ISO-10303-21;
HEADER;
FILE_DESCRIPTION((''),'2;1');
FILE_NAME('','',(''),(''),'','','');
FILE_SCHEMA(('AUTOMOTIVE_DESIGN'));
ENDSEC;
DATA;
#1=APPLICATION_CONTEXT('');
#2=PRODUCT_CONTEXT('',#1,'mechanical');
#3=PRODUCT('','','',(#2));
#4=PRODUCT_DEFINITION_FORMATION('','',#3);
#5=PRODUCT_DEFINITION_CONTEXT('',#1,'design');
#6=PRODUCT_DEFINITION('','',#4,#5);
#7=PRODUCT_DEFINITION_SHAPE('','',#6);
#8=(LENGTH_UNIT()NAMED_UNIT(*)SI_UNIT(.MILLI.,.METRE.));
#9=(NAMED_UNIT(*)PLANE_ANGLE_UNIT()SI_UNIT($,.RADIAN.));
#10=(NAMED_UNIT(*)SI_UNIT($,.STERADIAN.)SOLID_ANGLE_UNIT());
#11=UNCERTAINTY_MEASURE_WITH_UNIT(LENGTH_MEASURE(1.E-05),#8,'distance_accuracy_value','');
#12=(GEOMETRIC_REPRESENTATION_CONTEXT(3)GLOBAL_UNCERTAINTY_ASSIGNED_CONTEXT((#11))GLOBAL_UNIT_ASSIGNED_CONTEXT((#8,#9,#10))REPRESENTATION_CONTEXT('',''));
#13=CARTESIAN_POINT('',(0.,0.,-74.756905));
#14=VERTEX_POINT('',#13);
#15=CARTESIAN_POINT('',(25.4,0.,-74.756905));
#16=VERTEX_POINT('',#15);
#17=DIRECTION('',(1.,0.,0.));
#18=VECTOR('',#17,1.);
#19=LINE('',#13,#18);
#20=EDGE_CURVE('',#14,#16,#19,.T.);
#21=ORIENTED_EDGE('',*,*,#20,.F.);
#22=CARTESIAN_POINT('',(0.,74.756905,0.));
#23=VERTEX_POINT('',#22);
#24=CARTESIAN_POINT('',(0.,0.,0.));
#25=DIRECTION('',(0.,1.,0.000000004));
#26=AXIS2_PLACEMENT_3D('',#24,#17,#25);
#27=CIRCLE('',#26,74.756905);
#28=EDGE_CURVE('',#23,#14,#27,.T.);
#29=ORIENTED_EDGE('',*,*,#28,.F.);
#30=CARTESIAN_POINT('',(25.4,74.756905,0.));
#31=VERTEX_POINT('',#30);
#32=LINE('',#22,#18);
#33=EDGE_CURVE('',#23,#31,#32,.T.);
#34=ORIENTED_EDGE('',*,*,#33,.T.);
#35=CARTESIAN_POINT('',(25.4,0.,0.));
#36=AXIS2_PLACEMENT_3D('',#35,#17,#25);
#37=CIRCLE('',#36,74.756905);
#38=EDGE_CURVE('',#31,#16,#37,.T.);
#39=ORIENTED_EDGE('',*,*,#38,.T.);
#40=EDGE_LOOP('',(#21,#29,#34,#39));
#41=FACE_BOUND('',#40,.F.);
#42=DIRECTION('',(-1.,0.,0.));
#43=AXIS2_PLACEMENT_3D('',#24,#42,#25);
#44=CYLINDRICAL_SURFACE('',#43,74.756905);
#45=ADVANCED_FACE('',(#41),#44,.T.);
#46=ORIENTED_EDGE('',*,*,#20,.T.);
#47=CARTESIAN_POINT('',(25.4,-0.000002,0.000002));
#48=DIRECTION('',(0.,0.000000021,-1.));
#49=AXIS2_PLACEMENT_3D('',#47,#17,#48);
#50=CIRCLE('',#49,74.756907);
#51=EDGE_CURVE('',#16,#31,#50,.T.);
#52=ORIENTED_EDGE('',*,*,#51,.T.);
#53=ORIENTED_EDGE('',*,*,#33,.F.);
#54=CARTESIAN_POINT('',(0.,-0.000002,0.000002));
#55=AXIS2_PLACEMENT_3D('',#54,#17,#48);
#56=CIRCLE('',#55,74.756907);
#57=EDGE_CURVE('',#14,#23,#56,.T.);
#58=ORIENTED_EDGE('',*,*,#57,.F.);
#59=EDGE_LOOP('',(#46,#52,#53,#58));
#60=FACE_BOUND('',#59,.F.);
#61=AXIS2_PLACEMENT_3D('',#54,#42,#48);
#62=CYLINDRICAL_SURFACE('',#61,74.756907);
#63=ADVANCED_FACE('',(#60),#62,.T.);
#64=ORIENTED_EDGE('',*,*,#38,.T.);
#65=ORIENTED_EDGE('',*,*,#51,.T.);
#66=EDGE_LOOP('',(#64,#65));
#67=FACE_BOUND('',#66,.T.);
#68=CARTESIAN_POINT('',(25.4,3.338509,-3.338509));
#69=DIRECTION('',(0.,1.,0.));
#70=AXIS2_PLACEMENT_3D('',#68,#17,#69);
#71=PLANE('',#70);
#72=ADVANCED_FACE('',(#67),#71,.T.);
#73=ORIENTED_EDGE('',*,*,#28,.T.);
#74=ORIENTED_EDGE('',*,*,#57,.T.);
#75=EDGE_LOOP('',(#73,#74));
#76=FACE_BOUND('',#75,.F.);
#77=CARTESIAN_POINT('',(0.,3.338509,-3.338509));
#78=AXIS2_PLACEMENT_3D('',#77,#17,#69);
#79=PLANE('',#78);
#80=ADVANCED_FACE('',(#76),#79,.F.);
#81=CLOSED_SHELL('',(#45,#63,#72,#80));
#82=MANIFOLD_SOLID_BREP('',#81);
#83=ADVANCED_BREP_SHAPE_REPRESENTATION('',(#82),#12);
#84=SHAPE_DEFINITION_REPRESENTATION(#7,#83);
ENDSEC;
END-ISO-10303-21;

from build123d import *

# Parameters (mm, degrees)
F2_DEPTH = 25.4


with BuildPart() as f2:
    # F1 (on face) → F2 (new body)
    with BuildSketch(Plane.YZ):
        with BuildLine():
            ThreePointArc((0, -74.756905), (52.861114, -52.861114), (74.756905, 0))
            ThreePointArc((74.756905, 0), (-52.861114, 52.861114), (0, -74.756905))
        make_face()
    extrude(amount=F2_DEPTH)


solid = f2.part
